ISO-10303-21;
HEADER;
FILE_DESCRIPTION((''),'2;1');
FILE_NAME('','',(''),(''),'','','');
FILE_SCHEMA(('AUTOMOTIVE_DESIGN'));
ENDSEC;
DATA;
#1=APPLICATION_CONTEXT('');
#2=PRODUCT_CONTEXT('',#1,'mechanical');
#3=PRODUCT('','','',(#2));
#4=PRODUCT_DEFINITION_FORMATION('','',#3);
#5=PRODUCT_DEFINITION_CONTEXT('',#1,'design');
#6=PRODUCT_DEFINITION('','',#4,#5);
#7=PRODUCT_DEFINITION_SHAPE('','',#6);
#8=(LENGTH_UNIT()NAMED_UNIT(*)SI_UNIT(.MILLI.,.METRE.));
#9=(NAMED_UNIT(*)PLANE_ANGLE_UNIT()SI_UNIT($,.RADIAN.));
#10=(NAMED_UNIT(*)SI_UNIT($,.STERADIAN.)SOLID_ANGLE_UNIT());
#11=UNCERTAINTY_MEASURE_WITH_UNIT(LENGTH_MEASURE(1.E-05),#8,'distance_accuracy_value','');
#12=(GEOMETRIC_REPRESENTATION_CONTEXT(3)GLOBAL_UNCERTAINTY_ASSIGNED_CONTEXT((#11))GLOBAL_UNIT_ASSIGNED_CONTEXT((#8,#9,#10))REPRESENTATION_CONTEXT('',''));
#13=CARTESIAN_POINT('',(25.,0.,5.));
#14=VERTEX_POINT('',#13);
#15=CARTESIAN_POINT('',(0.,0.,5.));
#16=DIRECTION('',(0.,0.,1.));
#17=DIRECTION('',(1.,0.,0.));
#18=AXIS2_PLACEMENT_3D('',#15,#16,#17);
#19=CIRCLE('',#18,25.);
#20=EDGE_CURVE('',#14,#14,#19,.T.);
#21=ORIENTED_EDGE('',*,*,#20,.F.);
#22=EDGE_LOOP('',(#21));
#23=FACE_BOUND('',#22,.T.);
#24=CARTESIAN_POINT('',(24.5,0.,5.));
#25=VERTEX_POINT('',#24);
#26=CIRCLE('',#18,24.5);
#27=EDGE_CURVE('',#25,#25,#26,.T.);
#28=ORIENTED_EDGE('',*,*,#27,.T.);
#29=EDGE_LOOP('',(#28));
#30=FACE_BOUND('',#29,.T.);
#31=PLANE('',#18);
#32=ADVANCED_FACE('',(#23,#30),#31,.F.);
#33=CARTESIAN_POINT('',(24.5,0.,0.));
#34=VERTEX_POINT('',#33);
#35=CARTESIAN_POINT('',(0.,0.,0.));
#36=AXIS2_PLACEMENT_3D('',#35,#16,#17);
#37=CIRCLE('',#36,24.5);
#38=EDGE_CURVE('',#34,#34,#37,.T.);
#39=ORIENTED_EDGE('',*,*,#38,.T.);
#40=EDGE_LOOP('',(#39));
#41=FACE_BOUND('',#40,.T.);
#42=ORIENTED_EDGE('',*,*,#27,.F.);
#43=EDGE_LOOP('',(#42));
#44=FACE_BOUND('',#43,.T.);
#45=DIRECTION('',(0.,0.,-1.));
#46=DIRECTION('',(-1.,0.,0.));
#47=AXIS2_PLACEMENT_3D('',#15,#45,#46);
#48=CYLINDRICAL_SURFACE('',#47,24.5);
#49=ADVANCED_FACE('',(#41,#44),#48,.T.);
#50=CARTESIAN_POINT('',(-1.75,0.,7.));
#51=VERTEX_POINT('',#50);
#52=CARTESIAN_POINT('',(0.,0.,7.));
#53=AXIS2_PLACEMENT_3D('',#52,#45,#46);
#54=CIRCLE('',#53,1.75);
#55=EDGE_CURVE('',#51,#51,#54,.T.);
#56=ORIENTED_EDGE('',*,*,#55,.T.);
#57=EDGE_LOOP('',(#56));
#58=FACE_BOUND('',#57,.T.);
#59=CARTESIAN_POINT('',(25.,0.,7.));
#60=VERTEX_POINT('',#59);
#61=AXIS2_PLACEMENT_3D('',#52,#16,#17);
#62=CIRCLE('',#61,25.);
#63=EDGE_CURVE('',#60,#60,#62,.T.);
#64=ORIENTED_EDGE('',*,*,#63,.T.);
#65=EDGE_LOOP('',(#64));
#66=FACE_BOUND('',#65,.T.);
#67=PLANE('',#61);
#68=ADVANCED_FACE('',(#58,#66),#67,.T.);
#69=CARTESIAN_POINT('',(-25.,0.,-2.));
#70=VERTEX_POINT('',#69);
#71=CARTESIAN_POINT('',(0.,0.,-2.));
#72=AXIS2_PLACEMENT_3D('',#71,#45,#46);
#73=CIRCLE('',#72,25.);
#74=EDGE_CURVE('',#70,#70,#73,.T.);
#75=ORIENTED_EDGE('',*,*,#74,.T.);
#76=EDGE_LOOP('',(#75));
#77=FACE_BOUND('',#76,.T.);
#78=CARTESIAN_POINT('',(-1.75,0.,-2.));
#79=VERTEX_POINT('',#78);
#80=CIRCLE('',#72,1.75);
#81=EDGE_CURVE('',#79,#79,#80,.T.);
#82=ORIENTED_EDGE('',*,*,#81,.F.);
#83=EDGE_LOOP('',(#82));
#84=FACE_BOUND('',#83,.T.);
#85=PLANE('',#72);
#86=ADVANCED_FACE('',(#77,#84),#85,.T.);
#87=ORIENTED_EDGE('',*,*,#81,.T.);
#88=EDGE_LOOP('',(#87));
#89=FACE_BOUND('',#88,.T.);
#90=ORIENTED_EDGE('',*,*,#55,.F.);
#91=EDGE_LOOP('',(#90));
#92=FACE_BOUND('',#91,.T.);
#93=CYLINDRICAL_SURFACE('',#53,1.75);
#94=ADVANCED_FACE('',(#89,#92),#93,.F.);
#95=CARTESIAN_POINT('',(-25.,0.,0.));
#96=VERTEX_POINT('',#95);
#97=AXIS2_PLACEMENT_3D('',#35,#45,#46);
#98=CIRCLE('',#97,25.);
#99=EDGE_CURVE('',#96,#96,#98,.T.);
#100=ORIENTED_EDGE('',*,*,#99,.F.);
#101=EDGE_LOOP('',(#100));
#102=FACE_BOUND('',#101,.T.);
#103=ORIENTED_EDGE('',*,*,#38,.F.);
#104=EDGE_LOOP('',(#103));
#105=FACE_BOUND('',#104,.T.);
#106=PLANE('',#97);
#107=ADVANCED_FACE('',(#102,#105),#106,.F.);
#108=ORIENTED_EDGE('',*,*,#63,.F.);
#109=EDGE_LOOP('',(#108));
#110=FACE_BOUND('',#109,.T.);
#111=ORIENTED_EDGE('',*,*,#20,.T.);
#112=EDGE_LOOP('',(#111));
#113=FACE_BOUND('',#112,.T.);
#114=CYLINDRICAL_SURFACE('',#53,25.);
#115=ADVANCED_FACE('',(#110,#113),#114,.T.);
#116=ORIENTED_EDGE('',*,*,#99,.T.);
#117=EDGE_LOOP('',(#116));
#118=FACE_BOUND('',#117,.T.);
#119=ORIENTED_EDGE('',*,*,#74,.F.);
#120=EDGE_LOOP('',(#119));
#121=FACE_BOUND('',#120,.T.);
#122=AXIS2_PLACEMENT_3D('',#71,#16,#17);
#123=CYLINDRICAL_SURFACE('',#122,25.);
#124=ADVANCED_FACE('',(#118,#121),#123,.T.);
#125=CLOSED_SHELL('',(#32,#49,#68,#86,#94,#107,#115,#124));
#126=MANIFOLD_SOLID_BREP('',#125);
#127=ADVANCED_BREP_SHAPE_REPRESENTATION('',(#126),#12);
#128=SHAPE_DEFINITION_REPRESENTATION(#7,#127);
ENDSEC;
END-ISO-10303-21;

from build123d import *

# Parameters (mm, degrees)
ESQUISSE1_R             = 24.5
BOSS_EXTRU_1_DEPTH      = 5
ESQUISSE2_R             = 25
BOSS_EXTRU_2_DEPTH      = 2
BOSS_EXTRU_4_START      = 2
ESQUISSE5_R             = 25
BOSS_EXTRU_4_DEPTH      = 2
ESQUISSE4_R             = 1.75
ENL_V_MAT_EXTRU_1_DEPTH = 37.482872694


with BuildPart() as part:
    # Esquisse1 → Boss.-Extru.1 (new body)
    with BuildSketch(Plane.XY):
        Circle(ESQUISSE1_R)
    extrude(amount=BOSS_EXTRU_1_DEPTH)

    # Esquisse2 → Boss.-Extru.2 (add)
    with BuildSketch(Plane(origin=(0, 0, 0), x_dir=(-1, 0, 0), z_dir=(0, 0, -1))):
        Circle(ESQUISSE2_R)
    extrude(amount=BOSS_EXTRU_2_DEPTH)

    # Esquisse5 → Boss.-Extru.4 (add)
    with BuildSketch(Plane.XY.offset(5).offset(BOSS_EXTRU_4_START)):
        with Locations(Location((0, 0, 0), (0, 0, 180))):
            Circle(ESQUISSE5_R)
    extrude(amount=-BOSS_EXTRU_4_DEPTH)

    # Esquisse4 → Enlèv. mat.-Extru.1 (cut, through all)
    with BuildSketch(Plane(origin=(0, 0, -2), x_dir=(-1, 0, 0), z_dir=(0, 0, -1))):
        Circle(ESQUISSE4_R)
    extrude(amount=-ENL_V_MAT_EXTRU_1_DEPTH, mode=Mode.SUBTRACT)


solid = part.part
